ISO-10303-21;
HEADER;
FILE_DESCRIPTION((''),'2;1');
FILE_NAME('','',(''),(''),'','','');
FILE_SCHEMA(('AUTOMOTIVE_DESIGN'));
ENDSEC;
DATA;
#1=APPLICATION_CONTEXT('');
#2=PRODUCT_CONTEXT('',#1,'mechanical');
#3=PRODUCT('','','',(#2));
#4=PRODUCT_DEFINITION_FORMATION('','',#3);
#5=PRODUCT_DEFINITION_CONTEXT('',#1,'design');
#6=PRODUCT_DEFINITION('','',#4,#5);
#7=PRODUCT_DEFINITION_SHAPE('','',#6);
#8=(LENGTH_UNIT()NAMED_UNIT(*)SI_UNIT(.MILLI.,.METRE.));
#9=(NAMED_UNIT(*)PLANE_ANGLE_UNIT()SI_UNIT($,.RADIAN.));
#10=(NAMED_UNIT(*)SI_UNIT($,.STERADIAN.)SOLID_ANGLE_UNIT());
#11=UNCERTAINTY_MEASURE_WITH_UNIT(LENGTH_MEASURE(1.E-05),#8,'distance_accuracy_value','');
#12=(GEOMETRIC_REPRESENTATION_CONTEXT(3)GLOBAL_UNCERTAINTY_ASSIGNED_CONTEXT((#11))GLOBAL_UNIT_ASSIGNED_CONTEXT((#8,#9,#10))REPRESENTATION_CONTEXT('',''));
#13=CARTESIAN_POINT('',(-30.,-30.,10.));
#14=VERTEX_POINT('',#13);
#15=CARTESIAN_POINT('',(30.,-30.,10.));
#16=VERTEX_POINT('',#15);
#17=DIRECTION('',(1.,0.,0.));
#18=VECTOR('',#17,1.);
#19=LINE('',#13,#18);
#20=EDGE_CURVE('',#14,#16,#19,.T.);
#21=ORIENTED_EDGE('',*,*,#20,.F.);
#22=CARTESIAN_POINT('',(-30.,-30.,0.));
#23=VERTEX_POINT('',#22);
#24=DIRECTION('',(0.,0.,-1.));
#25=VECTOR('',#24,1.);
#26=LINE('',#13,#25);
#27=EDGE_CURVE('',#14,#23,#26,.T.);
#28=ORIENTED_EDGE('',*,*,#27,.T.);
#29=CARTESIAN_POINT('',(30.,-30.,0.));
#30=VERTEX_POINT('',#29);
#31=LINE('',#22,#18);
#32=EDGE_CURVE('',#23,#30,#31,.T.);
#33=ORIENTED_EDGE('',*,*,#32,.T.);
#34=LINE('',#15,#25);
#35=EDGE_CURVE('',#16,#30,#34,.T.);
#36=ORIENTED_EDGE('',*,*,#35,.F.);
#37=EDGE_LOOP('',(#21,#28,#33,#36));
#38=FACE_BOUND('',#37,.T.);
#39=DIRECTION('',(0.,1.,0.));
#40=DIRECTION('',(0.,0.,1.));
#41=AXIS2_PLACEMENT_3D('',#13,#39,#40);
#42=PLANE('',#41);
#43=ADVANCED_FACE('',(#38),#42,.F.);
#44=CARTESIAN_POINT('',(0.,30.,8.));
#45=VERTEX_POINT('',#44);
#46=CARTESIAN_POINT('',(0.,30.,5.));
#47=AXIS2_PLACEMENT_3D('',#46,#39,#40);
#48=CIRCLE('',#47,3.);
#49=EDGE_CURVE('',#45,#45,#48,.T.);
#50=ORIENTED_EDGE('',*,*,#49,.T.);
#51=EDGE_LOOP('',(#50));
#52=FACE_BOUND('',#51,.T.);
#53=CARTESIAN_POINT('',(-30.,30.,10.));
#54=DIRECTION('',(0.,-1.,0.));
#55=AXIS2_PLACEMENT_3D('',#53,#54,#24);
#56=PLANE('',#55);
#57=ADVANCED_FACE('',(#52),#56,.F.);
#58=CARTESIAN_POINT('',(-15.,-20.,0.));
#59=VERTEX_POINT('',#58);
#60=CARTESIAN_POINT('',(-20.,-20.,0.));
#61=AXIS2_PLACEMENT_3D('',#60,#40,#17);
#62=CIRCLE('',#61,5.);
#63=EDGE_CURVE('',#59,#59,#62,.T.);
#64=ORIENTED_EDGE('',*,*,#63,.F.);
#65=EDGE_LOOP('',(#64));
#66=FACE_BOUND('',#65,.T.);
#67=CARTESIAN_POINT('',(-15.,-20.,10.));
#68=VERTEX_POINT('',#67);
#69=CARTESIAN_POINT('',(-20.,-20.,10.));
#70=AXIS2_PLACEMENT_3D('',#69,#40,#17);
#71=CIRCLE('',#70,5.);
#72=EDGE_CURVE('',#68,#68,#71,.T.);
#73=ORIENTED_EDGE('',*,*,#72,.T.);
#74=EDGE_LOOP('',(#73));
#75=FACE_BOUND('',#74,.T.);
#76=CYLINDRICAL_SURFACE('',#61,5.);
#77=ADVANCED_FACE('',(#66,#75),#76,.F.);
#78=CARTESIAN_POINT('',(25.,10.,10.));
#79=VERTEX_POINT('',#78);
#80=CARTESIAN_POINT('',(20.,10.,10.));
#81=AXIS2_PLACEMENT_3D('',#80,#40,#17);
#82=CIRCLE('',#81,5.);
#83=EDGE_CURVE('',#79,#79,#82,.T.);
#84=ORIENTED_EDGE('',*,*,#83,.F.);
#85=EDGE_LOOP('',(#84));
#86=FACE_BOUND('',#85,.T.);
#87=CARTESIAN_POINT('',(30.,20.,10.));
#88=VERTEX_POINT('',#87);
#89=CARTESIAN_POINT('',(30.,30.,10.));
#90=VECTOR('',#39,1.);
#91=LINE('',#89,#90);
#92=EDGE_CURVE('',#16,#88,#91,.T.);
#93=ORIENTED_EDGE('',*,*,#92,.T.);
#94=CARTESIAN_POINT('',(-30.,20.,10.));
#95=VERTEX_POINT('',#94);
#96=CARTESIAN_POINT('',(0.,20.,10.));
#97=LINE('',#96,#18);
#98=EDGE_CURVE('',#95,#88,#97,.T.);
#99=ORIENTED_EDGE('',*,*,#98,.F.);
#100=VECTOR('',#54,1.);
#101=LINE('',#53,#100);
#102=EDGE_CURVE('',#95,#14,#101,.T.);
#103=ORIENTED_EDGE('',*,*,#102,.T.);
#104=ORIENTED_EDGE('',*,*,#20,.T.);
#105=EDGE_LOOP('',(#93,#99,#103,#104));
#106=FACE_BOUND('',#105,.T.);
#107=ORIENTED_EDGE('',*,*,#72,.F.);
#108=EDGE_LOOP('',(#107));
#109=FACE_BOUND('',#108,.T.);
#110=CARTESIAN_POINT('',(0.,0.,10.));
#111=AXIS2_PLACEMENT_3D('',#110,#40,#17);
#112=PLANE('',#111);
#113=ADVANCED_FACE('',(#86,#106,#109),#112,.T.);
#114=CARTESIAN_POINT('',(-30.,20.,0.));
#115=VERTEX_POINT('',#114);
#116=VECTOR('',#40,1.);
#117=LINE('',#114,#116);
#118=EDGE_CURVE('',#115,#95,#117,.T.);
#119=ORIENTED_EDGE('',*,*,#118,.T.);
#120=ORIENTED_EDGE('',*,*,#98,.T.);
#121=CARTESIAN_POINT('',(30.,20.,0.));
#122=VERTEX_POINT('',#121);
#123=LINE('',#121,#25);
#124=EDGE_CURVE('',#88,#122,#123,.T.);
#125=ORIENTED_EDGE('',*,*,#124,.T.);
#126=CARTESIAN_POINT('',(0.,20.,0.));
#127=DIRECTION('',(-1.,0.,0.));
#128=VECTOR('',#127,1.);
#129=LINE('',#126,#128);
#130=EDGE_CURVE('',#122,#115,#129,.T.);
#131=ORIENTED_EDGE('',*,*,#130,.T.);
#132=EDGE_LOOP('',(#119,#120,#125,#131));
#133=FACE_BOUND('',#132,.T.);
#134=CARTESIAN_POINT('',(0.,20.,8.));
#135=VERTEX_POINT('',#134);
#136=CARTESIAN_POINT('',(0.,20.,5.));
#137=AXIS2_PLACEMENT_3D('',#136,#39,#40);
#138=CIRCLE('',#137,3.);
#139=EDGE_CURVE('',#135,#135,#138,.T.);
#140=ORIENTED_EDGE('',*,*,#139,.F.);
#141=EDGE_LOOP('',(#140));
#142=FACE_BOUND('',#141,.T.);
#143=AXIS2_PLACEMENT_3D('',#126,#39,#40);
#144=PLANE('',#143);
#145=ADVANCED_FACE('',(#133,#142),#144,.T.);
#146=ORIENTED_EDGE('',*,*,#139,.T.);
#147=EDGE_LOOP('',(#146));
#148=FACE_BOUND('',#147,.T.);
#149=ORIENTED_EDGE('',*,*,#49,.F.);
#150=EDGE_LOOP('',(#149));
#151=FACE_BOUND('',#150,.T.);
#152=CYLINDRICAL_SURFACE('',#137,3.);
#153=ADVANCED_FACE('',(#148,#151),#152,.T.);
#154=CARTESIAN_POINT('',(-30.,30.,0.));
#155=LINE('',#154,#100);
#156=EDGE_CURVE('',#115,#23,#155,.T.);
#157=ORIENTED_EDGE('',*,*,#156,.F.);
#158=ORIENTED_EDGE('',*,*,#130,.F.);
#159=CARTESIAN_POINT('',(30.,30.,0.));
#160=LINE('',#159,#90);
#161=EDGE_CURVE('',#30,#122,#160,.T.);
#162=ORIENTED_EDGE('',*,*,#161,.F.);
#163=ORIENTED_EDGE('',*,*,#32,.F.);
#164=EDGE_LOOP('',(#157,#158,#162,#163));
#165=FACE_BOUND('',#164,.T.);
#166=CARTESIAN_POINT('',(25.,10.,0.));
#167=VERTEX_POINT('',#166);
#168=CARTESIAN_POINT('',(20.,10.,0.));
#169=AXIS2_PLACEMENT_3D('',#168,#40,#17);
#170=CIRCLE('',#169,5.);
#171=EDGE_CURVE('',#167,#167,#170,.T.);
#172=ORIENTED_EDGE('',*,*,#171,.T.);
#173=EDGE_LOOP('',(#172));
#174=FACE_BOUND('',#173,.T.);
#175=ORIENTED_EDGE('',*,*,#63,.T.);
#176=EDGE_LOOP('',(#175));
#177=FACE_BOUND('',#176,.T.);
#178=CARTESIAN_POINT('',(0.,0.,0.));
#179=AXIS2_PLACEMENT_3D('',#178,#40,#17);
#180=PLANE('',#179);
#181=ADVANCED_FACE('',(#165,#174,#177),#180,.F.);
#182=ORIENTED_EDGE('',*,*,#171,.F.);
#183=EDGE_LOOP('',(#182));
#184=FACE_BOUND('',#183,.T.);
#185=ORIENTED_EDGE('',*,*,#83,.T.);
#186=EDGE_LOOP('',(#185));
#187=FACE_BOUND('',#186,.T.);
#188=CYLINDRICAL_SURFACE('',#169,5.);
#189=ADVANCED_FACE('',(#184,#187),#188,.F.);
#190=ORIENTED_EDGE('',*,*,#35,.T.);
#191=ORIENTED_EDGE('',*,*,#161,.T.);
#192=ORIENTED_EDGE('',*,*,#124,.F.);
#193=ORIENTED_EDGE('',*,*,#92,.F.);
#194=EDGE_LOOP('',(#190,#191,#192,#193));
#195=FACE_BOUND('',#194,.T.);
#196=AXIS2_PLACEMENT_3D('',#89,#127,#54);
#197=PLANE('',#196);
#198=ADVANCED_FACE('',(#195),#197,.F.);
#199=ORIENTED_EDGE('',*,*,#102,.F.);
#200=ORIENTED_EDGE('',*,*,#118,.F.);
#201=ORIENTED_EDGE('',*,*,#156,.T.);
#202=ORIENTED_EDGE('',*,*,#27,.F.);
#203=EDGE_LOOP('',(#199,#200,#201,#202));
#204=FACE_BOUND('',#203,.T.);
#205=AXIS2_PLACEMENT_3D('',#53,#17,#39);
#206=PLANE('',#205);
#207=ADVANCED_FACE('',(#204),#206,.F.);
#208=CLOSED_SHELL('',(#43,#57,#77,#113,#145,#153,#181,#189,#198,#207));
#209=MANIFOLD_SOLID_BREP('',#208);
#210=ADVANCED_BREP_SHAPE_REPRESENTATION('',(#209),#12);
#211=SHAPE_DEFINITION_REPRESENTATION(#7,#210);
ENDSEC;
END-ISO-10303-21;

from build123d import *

# Parameters (mm, degrees)
SKETCH_1_W          = 60
SKETCH_1_H          = 60
EXTRUDE_1_DEPTH     = 10
SKETCH_2_W          = 60
SKETCH_2_H          = 10
SKETCH_2_R          = 3
CUT_EXTRUDE_1_DEPTH = 10
SKETCH_3_R          = 5
CUT_EXTRUDE_2_DEPTH = 44.588989435


with BuildPart() as part:
    # 草图1 → 凸台-拉伸1 (new body)
    with BuildSketch(Plane.XY):
        Rectangle(SKETCH_1_W, SKETCH_1_H)
    extrude(amount=EXTRUDE_1_DEPTH)

    # 草图2 → 切除-拉伸1 (cut)
    with BuildSketch(Plane(origin=(0, 30, 0), x_dir=(1, 0, 0), z_dir=(0, 1, 0))):
        with Locations((0, -5)):
            Rectangle(SKETCH_2_W, SKETCH_2_H)
        with Locations(Location((0, -5, 0), (0, 0, 270))):
            Circle(SKETCH_2_R, mode=Mode.SUBTRACT)
    extrude(amount=-CUT_EXTRUDE_1_DEPTH, mode=Mode.SUBTRACT)

    # 草图3 → 切除-拉伸2 (cut, through all)
    with BuildSketch(Plane.XY.offset(10)):
        with Locations((-20, -20)):
            Circle(SKETCH_3_R)
        with Locations((20, 10)):
            Circle(SKETCH_3_R)
    extrude(amount=-CUT_EXTRUDE_2_DEPTH, mode=Mode.SUBTRACT)


solid = part.part
